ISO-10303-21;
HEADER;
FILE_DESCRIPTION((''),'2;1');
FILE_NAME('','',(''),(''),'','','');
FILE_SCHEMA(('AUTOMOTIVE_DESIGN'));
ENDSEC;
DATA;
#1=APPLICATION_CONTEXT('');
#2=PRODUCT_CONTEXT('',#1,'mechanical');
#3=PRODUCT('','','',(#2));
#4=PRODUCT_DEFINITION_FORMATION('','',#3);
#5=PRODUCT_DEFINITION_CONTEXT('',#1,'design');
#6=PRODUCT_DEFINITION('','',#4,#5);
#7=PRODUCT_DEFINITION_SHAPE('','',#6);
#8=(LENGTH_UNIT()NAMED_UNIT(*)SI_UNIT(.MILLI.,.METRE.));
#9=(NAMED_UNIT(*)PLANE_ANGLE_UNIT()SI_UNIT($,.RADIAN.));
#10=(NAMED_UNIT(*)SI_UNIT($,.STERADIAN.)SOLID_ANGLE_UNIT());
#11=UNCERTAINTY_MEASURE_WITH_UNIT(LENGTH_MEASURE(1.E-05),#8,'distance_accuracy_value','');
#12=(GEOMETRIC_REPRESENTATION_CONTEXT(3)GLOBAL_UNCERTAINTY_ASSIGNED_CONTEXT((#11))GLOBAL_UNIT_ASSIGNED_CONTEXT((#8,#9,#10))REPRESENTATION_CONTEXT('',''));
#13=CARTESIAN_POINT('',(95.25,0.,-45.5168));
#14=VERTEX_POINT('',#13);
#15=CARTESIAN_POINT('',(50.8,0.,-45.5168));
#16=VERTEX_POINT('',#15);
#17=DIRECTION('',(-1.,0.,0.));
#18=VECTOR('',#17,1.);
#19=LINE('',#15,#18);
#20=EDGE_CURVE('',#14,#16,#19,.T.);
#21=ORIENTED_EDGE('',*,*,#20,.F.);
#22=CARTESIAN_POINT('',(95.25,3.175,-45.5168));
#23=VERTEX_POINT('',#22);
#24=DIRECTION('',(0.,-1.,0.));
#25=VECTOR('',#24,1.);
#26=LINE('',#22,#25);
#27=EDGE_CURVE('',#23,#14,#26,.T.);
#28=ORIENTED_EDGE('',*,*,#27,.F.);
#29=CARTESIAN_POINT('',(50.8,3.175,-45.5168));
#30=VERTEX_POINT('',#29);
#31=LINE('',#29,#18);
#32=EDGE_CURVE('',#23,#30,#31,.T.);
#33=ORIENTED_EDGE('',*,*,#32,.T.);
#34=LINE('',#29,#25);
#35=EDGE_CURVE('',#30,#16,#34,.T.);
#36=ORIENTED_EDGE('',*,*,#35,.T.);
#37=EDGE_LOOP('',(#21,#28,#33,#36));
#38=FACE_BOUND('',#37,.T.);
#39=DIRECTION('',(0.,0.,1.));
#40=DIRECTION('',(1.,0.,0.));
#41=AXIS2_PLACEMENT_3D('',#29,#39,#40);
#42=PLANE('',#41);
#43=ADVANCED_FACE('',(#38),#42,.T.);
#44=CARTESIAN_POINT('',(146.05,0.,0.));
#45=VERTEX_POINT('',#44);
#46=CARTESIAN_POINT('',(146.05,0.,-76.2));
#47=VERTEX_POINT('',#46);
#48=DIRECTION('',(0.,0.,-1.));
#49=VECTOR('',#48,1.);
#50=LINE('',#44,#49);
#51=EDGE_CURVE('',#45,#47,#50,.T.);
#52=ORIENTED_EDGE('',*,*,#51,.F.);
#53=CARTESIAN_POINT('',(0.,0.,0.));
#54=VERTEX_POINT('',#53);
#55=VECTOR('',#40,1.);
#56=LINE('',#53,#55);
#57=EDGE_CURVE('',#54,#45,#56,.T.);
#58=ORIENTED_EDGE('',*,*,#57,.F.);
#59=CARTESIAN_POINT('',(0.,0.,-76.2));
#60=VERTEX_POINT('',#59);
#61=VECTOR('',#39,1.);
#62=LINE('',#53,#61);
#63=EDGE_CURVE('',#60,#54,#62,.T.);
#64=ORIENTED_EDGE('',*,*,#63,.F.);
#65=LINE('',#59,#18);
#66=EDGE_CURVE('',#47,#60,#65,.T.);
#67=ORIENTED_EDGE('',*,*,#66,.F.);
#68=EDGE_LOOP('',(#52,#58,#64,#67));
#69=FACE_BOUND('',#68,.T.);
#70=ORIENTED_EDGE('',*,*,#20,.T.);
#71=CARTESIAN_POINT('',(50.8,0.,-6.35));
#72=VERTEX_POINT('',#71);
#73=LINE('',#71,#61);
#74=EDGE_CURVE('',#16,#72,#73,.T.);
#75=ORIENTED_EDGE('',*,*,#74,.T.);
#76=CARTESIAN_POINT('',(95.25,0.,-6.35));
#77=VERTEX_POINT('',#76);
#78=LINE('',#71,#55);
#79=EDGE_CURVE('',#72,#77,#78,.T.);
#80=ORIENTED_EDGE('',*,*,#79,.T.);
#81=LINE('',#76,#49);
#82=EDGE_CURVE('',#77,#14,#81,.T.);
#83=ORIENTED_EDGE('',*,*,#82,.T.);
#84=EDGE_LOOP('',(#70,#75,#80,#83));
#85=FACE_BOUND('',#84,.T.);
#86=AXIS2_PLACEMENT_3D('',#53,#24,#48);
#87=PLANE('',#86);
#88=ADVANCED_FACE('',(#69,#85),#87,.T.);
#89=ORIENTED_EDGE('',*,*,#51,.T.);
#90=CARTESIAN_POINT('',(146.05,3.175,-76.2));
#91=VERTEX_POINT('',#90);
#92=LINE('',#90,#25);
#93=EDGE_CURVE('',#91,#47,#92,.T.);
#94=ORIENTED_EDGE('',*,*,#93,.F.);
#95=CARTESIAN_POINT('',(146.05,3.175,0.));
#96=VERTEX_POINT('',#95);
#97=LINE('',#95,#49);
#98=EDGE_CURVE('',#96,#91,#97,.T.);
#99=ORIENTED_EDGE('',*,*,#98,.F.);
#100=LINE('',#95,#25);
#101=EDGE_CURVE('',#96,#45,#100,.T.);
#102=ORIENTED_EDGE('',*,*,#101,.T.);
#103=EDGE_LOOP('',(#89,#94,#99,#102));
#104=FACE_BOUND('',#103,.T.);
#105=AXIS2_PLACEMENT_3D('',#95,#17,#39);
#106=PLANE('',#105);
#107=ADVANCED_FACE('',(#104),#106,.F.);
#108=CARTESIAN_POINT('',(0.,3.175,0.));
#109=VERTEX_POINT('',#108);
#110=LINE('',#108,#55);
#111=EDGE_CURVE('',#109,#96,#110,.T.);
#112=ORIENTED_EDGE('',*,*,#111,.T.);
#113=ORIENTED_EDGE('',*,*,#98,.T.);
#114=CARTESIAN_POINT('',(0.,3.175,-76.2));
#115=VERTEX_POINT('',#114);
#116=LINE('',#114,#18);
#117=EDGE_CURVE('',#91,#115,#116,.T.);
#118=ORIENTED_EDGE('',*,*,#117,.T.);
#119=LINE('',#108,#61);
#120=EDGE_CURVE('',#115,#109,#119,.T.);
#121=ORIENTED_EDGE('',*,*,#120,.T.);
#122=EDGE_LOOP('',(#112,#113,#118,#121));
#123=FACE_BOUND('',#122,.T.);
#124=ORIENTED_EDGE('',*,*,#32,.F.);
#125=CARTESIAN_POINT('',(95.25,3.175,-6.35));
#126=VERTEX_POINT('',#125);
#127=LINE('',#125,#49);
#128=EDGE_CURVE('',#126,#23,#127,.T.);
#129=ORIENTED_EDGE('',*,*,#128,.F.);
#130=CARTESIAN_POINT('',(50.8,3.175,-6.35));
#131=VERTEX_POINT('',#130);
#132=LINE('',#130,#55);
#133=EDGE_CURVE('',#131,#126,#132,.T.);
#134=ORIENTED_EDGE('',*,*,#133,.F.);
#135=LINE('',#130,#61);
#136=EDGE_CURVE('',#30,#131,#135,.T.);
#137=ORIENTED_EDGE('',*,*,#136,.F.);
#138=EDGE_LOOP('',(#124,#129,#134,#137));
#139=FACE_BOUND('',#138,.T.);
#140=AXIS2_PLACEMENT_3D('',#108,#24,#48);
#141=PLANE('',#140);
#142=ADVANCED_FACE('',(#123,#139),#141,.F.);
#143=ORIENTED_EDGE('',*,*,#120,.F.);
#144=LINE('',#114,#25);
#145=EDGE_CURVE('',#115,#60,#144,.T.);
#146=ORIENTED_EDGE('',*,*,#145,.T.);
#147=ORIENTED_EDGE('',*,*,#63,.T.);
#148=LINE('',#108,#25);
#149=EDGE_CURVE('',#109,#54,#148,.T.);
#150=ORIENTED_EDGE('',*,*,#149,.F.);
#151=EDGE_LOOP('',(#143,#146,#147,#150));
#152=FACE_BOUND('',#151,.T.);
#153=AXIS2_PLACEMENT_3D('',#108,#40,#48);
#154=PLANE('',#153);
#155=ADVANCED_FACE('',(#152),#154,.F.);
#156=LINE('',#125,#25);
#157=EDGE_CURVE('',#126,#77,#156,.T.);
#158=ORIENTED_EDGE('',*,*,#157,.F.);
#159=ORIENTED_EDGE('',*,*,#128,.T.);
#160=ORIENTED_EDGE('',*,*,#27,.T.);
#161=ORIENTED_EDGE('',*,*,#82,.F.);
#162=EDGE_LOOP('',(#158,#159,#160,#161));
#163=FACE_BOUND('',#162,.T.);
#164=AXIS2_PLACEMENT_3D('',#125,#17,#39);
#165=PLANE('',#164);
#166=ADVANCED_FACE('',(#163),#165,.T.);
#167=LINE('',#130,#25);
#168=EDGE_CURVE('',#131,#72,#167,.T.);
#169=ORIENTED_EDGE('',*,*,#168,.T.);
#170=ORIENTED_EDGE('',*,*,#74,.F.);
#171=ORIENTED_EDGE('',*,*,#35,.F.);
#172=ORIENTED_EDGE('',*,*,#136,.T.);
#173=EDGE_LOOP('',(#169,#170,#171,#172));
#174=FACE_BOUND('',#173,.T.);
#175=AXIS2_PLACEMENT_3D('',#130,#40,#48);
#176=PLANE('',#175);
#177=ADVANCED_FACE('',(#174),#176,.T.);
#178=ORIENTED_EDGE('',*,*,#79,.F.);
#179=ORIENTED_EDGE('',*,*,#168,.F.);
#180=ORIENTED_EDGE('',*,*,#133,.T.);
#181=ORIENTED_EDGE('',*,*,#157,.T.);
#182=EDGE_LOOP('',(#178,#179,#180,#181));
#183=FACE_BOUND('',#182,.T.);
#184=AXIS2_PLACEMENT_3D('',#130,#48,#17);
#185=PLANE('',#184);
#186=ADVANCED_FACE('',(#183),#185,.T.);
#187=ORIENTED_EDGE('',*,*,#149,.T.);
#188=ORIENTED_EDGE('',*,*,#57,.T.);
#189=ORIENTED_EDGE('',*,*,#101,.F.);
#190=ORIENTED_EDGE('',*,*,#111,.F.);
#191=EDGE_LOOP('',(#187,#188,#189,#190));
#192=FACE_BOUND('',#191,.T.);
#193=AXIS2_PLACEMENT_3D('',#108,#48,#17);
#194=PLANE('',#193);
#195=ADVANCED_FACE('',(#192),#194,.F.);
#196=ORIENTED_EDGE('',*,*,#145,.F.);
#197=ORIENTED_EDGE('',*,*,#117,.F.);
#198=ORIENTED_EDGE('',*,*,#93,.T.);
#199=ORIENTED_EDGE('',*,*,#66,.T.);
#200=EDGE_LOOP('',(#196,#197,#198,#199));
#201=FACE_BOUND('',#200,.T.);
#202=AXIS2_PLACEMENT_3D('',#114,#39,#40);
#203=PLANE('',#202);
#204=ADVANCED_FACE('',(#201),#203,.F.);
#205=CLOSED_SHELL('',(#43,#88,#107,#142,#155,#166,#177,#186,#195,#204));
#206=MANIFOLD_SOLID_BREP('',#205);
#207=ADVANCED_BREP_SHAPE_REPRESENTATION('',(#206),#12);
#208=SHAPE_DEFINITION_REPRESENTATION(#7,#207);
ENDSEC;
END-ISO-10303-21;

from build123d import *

# Parameters (mm, degrees)
SKETCH1_W           = 146.05
SKETCH1_H           = 76.2
SKETCH1_W_2         = 44.45
SKETCH1_H_2         = 39.1668
BOSS_EXTRUDE1_DEPTH = 3.175


with BuildPart() as part:
    # Sketch1 → Boss-Extrude1 (new body)
    with BuildSketch(Plane(origin=(0, 0, 0), x_dir=(1, 0, 0), z_dir=(0, 1, 0))):
        with Locations((73.025, 38.1)):
            Rectangle(SKETCH1_W, SKETCH1_H)
        with Locations((73.025, 25.9334)):
            Rectangle(SKETCH1_W_2, SKETCH1_H_2, mode=Mode.SUBTRACT)
    extrude(amount=BOSS_EXTRUDE1_DEPTH)


solid = part.part
